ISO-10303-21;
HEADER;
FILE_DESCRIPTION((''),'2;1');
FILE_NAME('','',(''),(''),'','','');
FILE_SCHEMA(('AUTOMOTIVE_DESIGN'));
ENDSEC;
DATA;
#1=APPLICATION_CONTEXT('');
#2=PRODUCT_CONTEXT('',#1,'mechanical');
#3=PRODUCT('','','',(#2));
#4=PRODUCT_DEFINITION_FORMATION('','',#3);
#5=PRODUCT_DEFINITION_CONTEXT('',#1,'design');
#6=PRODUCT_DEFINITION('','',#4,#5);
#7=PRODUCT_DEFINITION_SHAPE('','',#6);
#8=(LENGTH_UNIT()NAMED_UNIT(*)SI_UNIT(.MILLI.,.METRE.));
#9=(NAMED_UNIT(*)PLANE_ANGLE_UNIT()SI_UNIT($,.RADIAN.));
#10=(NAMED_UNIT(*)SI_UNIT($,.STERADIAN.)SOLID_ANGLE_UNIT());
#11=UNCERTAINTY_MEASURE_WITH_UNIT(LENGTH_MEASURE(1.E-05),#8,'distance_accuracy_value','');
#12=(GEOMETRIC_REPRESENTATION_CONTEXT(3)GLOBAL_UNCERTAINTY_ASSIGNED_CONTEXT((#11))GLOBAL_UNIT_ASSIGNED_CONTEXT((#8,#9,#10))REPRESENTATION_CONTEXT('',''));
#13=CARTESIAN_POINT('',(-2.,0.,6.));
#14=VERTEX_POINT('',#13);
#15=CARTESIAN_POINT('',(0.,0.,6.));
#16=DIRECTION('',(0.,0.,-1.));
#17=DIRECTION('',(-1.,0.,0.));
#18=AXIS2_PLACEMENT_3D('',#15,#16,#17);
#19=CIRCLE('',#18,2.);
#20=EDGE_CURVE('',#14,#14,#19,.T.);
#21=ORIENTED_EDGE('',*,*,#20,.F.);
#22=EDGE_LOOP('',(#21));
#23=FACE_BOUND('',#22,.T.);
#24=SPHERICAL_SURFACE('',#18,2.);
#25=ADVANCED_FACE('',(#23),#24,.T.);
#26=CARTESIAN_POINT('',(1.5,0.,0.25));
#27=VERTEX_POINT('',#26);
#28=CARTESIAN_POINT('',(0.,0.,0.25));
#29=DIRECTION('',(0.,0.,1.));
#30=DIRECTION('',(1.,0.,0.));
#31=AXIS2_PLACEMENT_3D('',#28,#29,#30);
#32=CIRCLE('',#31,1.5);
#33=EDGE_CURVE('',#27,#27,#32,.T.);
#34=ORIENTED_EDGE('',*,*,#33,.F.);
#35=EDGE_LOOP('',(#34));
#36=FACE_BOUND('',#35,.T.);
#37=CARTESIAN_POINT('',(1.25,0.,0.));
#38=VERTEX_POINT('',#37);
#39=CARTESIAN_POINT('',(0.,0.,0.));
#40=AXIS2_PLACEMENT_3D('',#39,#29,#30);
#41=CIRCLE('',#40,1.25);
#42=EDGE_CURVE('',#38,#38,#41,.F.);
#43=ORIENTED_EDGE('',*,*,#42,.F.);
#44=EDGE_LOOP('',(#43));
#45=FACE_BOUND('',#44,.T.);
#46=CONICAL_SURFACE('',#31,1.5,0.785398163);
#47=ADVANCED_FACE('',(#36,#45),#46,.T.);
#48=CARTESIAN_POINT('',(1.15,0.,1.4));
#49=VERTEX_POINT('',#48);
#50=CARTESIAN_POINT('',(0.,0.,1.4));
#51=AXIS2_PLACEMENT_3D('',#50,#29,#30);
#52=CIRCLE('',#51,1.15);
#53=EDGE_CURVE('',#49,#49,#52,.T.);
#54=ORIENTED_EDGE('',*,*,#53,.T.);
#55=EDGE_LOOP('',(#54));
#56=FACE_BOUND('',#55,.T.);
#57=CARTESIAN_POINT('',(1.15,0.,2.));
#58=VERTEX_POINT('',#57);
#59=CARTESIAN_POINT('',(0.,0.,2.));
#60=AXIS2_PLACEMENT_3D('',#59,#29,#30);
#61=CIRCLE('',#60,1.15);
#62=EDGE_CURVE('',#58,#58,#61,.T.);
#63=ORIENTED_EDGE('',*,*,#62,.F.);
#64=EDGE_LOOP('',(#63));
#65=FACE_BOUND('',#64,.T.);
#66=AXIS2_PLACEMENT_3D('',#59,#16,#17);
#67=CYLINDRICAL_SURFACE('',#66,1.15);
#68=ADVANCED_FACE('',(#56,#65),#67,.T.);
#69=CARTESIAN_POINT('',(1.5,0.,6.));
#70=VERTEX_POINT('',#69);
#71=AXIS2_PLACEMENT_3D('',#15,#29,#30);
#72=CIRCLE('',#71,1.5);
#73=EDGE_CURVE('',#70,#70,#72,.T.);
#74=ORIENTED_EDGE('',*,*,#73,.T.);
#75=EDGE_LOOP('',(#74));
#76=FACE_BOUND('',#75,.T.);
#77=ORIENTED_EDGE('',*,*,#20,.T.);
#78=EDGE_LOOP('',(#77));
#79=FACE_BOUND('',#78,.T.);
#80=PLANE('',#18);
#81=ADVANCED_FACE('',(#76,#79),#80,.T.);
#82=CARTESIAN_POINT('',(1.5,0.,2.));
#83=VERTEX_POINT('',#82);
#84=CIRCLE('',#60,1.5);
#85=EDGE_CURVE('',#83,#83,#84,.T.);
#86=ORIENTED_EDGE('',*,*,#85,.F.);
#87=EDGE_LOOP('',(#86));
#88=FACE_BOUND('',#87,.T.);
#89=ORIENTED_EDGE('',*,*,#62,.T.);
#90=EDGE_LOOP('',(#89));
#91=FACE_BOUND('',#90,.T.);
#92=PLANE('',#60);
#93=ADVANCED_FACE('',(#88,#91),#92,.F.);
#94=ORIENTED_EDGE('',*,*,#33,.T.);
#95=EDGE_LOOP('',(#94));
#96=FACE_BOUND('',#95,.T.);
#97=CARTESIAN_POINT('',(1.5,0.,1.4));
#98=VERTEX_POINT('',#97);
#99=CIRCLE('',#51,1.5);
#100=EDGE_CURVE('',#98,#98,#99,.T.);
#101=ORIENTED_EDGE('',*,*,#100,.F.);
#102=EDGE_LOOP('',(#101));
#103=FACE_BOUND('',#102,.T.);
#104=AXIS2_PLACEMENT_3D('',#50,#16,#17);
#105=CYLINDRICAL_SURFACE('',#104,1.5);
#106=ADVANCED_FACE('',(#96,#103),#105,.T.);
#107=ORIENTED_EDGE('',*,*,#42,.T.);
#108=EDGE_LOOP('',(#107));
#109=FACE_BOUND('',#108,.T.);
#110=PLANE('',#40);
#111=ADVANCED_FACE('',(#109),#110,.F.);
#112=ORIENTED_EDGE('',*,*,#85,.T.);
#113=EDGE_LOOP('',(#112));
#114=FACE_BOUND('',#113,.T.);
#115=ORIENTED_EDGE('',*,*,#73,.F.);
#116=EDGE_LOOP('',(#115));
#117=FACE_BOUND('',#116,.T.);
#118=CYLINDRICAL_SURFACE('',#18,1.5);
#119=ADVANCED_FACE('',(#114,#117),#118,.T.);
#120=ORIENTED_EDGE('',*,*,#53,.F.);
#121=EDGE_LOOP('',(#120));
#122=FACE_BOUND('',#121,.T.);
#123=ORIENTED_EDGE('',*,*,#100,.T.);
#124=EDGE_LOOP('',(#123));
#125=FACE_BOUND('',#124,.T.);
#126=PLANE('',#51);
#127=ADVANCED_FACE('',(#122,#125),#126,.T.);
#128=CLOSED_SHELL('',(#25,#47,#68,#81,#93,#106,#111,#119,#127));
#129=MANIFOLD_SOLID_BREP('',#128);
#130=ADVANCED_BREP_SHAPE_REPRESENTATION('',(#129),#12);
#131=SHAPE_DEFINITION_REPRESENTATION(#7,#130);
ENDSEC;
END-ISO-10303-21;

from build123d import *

# Parameters (mm, degrees)
SKETCH1_R           = 1.5
BOSS_EXTRUDE1_DEPTH = 1.4
SKETCH2_R           = 1.15
BOSS_EXTRUDE2_DEPTH = 0.6
SKETCH3_R           = 1.5
BOSS_EXTRUDE3_DEPTH = 4
REVOLVE1_ANGLE      = 180
CHAMFER1_SIZE       = 0.25


with BuildPart() as part:
    # Sketch1 → Boss-Extrude1 (new body)
    with BuildSketch(Plane.XY):
        Circle(SKETCH1_R)
    extrude(amount=BOSS_EXTRUDE1_DEPTH)

    # Sketch2 → Boss-Extrude2 (add)
    with BuildSketch(Plane.XY.offset(1.4)):
        Circle(SKETCH2_R)
    extrude(amount=BOSS_EXTRUDE2_DEPTH)

    # Sketch3 → Boss-Extrude3 (add)
    with BuildSketch(Plane.XY.offset(2)):
        Circle(SKETCH3_R)
    extrude(amount=BOSS_EXTRUDE3_DEPTH)

    # Sketch4 → Revolve1 (revolve)
    with BuildSketch(Plane.XY.offset(6)):
        with BuildLine():
            Line((0, 2), (0, -2))
            ThreePointArc((0, -2), (2, 0), (0, 2))
        make_face()
    revolve(axis=Axis((0, 2, 6), (0, -1, 0)), revolution_arc=REVOLVE1_ANGLE)

    # Chamfer1
    chamfer1_edges = [part.edges().sort_by_distance(p)[0] for p in [
        (-1.5, 0, 0),
    ]]
    chamfer(chamfer1_edges, length=CHAMFER1_SIZE)


solid = part.part
